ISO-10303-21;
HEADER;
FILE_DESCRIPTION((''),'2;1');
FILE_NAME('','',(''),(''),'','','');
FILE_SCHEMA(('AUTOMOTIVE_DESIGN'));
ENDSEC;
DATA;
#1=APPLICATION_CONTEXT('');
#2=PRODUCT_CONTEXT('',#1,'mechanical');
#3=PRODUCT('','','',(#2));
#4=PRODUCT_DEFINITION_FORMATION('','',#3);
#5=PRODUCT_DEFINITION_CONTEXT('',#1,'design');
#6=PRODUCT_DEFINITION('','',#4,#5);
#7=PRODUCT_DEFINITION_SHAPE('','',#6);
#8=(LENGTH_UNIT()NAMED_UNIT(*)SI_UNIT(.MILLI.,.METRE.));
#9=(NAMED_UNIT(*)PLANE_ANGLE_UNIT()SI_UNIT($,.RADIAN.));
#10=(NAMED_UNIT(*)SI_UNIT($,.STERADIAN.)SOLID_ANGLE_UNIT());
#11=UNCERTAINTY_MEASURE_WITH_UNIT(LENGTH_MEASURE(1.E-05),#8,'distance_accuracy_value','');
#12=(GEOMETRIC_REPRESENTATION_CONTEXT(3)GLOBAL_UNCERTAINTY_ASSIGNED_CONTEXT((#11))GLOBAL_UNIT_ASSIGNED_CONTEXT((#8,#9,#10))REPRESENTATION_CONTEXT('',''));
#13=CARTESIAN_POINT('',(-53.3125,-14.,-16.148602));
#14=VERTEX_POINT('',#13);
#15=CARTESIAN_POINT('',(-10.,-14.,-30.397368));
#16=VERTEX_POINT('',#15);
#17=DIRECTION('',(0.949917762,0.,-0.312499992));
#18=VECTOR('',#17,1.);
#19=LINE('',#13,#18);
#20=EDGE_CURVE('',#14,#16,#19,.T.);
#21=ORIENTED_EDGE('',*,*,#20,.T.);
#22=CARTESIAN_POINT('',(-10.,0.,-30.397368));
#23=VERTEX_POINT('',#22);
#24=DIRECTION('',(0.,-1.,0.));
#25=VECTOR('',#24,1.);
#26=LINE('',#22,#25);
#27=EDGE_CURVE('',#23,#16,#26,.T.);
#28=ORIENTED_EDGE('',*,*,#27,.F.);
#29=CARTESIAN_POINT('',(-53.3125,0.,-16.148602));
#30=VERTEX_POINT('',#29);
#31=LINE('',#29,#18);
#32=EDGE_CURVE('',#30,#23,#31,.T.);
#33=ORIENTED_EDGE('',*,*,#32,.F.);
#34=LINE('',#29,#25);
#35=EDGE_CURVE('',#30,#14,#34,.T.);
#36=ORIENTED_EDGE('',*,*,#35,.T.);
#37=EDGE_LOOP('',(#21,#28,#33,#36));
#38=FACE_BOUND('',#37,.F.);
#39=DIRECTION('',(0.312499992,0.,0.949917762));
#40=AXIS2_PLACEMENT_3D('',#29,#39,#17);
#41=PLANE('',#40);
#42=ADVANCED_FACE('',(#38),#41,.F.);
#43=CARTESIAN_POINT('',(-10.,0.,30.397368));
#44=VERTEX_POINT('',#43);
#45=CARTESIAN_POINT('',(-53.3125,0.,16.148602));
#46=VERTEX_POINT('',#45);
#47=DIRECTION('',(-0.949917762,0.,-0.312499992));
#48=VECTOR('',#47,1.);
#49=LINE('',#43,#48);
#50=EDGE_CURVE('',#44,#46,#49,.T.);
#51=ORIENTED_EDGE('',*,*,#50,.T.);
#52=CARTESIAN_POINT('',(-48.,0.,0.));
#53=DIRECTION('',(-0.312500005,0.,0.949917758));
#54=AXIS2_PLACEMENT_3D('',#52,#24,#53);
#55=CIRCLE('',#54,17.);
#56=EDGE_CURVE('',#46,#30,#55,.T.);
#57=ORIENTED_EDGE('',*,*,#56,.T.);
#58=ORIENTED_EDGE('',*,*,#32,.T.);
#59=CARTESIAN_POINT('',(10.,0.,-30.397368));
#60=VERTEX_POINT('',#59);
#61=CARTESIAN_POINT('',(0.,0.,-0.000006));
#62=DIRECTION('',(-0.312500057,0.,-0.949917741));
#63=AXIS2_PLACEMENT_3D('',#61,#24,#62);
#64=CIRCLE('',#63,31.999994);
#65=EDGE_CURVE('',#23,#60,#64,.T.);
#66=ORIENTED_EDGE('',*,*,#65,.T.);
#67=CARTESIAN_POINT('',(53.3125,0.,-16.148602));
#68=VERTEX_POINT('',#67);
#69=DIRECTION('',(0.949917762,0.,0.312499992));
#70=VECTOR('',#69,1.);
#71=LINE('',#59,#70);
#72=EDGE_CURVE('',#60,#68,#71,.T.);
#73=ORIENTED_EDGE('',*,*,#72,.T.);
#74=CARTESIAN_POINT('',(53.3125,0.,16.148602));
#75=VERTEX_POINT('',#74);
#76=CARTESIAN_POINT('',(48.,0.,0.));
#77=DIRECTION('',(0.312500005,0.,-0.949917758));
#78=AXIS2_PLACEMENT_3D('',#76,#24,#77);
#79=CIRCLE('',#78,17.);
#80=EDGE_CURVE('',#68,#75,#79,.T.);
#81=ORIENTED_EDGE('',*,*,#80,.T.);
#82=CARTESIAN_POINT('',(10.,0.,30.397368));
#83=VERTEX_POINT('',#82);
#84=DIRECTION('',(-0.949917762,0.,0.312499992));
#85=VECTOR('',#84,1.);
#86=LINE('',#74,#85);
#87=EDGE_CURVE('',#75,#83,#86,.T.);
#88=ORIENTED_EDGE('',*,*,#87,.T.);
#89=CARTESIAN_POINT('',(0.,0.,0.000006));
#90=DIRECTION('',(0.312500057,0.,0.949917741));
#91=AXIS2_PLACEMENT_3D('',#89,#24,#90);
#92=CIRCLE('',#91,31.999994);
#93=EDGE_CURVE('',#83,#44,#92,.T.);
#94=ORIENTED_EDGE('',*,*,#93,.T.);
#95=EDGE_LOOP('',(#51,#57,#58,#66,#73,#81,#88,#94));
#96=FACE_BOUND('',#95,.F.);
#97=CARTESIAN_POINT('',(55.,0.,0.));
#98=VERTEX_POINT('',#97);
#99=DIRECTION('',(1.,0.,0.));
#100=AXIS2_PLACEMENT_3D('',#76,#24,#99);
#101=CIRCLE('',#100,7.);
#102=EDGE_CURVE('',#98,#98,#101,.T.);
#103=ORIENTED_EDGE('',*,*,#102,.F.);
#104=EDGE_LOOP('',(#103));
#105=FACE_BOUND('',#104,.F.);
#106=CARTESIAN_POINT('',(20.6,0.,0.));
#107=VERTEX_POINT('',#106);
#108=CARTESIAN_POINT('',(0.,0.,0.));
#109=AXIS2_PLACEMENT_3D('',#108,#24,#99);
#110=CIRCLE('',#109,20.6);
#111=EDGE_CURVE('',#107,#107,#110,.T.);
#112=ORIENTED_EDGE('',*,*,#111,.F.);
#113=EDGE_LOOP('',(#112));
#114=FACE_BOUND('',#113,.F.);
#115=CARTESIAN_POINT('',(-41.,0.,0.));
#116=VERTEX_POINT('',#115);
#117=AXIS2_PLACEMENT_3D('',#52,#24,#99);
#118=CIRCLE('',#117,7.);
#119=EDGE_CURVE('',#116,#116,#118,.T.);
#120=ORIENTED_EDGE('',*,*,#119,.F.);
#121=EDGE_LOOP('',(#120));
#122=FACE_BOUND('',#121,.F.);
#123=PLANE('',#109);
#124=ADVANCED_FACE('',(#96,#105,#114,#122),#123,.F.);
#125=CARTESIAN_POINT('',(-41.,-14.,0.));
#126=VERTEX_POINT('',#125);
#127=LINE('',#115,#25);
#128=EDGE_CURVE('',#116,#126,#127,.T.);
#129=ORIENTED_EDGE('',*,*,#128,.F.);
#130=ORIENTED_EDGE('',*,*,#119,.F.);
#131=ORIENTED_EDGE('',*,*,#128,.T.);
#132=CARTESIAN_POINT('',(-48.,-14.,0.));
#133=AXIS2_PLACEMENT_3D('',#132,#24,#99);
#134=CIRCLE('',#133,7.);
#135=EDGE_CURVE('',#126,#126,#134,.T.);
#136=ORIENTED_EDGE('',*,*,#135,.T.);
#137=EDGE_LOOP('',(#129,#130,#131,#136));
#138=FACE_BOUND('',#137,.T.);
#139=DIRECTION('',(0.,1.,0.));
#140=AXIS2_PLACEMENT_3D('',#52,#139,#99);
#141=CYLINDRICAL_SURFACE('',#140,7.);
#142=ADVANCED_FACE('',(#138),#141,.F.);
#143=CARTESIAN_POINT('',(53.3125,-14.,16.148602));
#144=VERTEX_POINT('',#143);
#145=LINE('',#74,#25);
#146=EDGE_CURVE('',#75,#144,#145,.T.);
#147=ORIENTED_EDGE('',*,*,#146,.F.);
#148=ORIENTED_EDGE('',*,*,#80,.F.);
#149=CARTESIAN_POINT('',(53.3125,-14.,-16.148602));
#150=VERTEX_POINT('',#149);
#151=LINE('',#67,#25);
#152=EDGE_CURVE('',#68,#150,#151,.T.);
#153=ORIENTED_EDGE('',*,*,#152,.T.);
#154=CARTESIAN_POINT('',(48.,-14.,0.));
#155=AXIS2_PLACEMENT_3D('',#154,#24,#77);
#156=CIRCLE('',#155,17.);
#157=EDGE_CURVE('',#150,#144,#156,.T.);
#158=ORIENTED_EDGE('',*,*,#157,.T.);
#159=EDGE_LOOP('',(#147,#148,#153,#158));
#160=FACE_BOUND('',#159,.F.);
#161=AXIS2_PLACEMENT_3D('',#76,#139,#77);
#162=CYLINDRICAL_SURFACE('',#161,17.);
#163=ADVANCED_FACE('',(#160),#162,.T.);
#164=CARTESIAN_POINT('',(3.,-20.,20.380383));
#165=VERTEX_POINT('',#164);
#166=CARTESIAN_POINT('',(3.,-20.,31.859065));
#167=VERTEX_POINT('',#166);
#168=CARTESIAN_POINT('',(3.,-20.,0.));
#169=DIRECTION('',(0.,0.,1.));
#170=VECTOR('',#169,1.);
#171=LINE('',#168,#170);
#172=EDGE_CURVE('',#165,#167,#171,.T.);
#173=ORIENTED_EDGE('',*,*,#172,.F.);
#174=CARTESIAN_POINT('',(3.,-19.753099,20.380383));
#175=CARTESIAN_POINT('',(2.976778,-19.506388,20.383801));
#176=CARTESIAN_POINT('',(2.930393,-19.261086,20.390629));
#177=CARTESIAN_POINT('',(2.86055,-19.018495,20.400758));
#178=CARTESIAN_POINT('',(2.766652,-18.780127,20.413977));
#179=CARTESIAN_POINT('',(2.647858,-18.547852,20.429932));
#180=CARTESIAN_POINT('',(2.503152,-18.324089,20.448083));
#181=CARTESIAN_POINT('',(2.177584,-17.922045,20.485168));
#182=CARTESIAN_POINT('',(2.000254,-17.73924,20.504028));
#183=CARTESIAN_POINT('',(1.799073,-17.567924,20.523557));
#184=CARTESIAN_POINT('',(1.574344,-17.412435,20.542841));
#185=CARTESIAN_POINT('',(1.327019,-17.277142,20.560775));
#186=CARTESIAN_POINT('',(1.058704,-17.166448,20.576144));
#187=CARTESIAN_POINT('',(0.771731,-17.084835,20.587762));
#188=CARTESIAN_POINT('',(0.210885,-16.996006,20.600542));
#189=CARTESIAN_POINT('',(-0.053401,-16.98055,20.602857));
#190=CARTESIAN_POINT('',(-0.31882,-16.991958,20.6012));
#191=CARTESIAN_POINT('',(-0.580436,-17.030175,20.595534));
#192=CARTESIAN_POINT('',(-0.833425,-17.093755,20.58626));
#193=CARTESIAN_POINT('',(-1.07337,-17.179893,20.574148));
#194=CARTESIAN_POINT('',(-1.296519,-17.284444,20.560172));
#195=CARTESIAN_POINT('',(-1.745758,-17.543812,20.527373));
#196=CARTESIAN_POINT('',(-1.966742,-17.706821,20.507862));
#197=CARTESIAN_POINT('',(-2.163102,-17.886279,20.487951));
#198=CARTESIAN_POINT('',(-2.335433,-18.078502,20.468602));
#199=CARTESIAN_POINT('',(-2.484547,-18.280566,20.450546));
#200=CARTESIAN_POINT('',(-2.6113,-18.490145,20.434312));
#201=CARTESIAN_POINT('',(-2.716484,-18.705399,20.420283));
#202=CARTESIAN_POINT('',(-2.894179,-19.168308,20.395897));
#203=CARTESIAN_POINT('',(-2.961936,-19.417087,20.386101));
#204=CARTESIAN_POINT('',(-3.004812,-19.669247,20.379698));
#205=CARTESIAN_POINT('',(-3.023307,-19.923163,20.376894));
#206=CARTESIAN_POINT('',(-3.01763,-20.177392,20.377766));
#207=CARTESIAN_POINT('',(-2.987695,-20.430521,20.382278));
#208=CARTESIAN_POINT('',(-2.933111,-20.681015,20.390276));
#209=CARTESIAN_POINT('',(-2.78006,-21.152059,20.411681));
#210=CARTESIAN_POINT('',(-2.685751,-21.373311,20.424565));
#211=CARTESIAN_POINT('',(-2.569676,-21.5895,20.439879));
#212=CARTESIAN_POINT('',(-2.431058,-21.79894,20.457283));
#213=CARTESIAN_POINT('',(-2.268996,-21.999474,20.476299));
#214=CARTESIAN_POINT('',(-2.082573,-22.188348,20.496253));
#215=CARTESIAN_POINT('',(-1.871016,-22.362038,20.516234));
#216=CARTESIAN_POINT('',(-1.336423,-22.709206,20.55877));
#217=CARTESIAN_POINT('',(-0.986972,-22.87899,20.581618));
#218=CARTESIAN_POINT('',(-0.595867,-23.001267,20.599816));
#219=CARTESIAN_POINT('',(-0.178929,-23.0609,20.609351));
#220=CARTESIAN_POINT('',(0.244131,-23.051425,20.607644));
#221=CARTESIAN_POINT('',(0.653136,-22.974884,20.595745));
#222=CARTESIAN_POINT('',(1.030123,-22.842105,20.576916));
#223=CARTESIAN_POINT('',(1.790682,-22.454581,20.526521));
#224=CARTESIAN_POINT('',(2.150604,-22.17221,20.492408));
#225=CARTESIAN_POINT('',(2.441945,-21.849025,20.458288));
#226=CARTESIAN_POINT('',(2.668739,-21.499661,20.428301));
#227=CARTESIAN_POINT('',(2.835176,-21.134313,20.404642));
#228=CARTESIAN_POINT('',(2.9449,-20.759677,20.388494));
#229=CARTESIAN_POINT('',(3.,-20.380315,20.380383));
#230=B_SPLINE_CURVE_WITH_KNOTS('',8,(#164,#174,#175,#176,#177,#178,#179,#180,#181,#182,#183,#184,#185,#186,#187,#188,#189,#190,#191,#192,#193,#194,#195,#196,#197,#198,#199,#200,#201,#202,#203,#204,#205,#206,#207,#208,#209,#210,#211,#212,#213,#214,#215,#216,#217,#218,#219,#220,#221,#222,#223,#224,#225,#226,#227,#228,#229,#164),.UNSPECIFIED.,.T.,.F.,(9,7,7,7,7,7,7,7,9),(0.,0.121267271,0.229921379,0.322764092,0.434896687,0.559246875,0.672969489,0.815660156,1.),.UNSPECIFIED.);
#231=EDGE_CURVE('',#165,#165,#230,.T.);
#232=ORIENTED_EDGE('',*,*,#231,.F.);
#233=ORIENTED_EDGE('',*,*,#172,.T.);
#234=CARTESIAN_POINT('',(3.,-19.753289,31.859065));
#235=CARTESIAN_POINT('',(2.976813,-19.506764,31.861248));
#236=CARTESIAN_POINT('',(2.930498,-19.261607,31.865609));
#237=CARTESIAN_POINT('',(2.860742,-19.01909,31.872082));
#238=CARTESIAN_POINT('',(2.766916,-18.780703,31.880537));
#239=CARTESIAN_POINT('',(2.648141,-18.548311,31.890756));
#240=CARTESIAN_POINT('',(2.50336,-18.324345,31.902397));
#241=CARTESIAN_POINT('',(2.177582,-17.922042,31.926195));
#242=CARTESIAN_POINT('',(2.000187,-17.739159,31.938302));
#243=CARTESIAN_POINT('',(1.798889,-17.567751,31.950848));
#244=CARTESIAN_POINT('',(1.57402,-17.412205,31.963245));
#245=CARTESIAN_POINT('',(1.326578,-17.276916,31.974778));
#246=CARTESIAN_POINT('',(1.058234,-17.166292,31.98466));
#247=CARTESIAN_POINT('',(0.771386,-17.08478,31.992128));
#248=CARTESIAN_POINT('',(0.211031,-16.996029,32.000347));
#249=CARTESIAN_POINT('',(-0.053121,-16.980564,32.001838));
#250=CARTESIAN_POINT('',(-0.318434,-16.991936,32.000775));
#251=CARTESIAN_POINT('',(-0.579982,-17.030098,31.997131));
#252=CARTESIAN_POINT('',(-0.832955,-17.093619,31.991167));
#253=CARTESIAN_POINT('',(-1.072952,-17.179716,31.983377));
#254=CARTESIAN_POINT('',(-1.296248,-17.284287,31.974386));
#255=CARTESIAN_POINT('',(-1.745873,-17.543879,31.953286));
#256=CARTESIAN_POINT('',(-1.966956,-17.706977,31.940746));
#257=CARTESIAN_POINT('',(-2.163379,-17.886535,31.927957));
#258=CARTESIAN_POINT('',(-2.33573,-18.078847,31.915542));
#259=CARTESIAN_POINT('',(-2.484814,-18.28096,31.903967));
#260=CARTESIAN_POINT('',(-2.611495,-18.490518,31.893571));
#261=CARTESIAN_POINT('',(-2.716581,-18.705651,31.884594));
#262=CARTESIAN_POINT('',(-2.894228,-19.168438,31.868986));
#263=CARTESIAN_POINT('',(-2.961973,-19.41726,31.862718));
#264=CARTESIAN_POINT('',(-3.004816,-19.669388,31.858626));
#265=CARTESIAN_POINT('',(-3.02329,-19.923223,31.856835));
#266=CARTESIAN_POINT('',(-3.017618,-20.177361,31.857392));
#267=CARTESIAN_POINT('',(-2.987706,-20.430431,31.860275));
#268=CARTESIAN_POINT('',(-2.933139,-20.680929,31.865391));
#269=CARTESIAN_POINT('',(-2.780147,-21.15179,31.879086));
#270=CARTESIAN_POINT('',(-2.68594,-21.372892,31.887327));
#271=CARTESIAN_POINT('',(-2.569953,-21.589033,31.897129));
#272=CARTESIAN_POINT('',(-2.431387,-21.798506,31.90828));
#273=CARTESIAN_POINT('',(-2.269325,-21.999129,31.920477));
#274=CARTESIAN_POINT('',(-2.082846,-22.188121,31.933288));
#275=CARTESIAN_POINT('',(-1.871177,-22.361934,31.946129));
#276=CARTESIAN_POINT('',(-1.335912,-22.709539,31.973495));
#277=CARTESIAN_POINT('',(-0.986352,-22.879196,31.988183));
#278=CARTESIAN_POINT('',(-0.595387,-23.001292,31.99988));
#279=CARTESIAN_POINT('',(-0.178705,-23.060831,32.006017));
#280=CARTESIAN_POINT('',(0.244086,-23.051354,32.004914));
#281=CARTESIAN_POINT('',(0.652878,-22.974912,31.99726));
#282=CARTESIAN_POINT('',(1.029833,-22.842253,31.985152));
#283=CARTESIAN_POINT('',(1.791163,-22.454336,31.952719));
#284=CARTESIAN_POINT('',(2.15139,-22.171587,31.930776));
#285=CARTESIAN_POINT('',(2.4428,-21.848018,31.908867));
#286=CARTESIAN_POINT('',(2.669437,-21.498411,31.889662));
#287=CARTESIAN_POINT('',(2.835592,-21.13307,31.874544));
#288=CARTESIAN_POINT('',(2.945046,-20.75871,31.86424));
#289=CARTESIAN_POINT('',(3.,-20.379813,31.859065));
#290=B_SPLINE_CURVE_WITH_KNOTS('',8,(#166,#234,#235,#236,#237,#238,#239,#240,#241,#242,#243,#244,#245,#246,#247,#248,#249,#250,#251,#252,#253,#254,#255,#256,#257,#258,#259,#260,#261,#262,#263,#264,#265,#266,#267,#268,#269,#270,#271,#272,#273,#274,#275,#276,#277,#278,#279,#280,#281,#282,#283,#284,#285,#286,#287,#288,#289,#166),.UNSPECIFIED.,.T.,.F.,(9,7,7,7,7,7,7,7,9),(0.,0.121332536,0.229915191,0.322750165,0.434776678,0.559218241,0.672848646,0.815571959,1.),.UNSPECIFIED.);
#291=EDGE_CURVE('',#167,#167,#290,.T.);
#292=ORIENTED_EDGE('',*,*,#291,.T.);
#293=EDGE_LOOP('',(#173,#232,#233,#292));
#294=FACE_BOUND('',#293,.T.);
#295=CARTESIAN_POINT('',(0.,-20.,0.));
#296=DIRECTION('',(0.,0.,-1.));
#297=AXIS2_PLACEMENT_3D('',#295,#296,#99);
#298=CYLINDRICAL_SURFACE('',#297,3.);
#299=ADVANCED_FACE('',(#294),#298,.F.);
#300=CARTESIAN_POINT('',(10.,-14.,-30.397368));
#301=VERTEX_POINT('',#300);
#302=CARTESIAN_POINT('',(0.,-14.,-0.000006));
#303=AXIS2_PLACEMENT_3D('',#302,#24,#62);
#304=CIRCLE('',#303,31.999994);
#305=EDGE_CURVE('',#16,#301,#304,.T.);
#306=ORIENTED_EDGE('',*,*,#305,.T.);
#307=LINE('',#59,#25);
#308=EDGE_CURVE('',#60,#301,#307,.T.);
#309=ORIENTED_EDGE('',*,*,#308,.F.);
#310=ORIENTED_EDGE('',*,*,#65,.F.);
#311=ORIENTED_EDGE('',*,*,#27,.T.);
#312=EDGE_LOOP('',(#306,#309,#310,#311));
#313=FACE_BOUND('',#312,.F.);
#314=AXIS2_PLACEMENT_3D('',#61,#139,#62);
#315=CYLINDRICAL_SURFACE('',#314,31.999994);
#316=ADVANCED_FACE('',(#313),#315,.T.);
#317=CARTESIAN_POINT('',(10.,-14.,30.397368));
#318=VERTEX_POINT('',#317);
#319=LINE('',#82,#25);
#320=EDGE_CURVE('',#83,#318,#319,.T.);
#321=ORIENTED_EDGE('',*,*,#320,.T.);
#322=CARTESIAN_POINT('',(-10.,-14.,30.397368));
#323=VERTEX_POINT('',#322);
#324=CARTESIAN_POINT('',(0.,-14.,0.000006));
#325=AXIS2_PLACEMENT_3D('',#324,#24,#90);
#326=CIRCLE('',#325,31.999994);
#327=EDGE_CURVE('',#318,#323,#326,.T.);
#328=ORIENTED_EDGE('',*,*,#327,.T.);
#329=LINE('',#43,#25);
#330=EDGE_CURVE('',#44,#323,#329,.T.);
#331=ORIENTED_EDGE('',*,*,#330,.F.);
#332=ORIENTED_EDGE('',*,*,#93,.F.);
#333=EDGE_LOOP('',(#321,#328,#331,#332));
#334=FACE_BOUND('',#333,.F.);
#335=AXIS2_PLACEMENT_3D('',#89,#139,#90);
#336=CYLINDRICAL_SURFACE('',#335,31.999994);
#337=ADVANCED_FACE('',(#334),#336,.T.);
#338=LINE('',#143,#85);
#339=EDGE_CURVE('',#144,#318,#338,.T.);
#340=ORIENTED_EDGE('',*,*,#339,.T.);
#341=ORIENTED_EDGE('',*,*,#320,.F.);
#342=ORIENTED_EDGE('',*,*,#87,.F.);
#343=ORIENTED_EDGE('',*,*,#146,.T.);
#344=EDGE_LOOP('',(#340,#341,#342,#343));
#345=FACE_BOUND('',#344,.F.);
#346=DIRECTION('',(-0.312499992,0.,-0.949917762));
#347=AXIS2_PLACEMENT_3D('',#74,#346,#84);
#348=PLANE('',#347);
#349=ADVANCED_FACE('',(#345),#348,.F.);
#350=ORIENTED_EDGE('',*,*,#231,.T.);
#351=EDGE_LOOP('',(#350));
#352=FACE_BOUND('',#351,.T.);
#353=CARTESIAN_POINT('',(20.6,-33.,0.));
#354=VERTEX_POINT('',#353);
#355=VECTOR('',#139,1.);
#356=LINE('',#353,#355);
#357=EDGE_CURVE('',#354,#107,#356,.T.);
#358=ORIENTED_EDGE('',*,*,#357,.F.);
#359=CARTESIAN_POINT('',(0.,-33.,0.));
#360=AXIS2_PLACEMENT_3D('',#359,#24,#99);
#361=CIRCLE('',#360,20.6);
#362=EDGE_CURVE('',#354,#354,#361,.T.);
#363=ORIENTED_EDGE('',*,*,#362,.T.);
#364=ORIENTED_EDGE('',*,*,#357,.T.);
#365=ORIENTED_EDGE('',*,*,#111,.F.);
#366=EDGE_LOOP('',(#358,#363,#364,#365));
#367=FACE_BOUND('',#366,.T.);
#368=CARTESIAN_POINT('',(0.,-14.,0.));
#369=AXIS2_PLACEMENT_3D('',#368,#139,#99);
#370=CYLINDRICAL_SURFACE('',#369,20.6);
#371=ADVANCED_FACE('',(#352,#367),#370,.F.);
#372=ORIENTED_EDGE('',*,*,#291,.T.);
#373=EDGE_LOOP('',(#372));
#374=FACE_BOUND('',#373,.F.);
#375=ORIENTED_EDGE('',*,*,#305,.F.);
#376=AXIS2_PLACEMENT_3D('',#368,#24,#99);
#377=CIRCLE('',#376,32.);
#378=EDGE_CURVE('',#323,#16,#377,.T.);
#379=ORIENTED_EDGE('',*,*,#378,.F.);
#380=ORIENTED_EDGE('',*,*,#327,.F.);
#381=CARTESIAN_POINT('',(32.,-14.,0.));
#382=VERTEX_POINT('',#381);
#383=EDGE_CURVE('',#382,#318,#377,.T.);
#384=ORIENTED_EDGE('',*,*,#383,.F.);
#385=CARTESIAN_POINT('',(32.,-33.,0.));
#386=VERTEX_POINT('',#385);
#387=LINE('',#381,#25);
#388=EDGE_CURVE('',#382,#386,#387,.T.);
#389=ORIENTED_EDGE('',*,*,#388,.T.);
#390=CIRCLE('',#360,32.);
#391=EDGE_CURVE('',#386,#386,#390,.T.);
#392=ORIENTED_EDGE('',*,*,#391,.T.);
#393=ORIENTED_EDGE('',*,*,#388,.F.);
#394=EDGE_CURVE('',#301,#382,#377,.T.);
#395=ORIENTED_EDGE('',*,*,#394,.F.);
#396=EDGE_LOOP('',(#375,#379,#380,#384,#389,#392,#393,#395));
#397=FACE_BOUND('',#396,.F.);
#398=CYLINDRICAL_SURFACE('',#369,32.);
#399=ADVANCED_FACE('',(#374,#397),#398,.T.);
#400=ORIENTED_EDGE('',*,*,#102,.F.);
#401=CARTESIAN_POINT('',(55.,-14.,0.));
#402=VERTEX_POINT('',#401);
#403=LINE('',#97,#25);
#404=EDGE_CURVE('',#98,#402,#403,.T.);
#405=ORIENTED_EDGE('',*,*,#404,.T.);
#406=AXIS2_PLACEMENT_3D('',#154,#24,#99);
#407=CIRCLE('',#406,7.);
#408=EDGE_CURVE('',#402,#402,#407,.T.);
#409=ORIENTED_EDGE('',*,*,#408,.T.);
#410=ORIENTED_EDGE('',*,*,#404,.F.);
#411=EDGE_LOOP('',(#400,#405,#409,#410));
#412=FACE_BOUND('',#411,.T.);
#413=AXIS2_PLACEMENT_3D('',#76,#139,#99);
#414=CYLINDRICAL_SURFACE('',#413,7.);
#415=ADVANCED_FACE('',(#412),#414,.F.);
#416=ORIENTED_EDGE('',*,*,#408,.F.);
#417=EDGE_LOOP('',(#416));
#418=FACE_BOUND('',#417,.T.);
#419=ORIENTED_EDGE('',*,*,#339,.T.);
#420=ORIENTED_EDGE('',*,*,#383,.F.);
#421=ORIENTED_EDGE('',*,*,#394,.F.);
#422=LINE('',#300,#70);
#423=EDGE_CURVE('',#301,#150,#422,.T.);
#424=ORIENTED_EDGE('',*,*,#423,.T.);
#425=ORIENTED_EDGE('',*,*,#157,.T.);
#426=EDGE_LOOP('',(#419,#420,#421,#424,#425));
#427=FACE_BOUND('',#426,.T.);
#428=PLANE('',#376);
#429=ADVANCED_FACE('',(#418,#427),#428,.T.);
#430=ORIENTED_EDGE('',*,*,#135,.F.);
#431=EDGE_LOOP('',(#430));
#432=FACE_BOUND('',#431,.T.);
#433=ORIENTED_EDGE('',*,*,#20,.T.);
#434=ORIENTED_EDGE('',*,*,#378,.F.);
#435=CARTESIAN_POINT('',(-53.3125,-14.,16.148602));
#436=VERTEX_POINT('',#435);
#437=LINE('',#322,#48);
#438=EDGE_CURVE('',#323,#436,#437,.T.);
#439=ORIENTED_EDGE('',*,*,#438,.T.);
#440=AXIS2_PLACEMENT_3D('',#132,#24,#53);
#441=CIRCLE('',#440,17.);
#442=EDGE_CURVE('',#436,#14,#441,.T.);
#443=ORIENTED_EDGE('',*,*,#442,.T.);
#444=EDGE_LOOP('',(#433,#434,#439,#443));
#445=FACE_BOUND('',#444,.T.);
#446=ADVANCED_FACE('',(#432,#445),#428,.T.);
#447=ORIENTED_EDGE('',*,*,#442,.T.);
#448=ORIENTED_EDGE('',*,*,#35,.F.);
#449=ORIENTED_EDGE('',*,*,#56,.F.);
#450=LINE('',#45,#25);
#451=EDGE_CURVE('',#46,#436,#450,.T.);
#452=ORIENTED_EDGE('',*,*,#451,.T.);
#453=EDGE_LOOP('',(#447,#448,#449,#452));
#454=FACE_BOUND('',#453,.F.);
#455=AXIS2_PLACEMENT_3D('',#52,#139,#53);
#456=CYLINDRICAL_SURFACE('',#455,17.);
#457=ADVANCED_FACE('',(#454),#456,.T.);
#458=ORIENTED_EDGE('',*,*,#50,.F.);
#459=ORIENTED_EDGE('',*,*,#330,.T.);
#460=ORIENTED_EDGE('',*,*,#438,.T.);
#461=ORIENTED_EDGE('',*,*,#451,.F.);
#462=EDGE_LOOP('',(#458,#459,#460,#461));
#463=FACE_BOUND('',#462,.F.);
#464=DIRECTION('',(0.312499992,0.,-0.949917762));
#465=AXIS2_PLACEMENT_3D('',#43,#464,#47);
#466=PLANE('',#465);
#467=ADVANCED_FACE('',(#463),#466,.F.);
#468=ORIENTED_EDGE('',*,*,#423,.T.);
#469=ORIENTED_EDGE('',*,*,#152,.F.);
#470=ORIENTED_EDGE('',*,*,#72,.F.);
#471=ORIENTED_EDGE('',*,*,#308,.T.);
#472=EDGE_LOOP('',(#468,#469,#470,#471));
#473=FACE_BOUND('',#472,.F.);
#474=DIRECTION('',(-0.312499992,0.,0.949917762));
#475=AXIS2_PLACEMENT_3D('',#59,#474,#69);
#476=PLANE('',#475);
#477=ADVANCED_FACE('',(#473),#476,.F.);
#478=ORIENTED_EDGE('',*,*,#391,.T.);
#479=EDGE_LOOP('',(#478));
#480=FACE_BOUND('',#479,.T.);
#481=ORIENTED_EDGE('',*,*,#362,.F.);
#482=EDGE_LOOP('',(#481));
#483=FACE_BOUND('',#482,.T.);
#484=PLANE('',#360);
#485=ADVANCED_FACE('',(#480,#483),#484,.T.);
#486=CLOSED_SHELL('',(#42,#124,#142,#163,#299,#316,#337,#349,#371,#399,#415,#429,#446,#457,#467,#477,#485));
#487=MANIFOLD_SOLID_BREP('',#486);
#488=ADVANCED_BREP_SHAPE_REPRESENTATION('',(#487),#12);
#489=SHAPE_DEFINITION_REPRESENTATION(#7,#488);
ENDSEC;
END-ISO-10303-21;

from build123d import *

# Parameters (mm, degrees)
F0_R     = 7
F0_R_2   = 20.6
F1_DEPTH = 14
F2_R     = 32
F2_R_2   = 20.6
F3_DEPTH = 19
F4_R     = 3
F5_DEPTH = 32.001


with BuildPart() as f1:
    # F0 (on Front) → F1 (new body)
    with BuildSketch(Plane.XZ):
        with BuildLine():
            Line((-53.3125, -16.148602), (-10, -30.397368))
            ThreePointArc((-10, -30.397368), (0, -32), (10, -30.397368))
            Line((10, -30.397368), (53.3125, -16.148602))
            ThreePointArc((53.3125, -16.148602), (65, 0), (53.3125, 16.148602))
            Line((53.3125, 16.148602), (10, 30.397368))
            ThreePointArc((10, 30.397368), (0, 32), (-10, 30.397368))
            Line((-10, 30.397368), (-53.3125, 16.148602))
            ThreePointArc((-53.3125, 16.148602), (-65, 0), (-53.3125, -16.148602))
        make_face()
        with Locations((-48, 0)):
            Circle(F0_R, mode=Mode.SUBTRACT)
        Circle(F0_R_2, mode=Mode.SUBTRACT)
        with Locations((48, 0)):
            Circle(F0_R, mode=Mode.SUBTRACT)
    extrude(amount=F1_DEPTH)

    # F2 (on face) → F3 (join)
    with BuildSketch(Plane.XZ.offset(14)):
        Circle(F2_R)
        Circle(F2_R_2, mode=Mode.SUBTRACT)
    extrude(amount=F3_DEPTH)

    # F4 (on Top) → F5 (cut, through all)
    with BuildSketch(Plane.XY):
        with Locations((0, -20)):
            Circle(F4_R)
    extrude(amount=F5_DEPTH, mode=Mode.SUBTRACT)


solid = f1.part
